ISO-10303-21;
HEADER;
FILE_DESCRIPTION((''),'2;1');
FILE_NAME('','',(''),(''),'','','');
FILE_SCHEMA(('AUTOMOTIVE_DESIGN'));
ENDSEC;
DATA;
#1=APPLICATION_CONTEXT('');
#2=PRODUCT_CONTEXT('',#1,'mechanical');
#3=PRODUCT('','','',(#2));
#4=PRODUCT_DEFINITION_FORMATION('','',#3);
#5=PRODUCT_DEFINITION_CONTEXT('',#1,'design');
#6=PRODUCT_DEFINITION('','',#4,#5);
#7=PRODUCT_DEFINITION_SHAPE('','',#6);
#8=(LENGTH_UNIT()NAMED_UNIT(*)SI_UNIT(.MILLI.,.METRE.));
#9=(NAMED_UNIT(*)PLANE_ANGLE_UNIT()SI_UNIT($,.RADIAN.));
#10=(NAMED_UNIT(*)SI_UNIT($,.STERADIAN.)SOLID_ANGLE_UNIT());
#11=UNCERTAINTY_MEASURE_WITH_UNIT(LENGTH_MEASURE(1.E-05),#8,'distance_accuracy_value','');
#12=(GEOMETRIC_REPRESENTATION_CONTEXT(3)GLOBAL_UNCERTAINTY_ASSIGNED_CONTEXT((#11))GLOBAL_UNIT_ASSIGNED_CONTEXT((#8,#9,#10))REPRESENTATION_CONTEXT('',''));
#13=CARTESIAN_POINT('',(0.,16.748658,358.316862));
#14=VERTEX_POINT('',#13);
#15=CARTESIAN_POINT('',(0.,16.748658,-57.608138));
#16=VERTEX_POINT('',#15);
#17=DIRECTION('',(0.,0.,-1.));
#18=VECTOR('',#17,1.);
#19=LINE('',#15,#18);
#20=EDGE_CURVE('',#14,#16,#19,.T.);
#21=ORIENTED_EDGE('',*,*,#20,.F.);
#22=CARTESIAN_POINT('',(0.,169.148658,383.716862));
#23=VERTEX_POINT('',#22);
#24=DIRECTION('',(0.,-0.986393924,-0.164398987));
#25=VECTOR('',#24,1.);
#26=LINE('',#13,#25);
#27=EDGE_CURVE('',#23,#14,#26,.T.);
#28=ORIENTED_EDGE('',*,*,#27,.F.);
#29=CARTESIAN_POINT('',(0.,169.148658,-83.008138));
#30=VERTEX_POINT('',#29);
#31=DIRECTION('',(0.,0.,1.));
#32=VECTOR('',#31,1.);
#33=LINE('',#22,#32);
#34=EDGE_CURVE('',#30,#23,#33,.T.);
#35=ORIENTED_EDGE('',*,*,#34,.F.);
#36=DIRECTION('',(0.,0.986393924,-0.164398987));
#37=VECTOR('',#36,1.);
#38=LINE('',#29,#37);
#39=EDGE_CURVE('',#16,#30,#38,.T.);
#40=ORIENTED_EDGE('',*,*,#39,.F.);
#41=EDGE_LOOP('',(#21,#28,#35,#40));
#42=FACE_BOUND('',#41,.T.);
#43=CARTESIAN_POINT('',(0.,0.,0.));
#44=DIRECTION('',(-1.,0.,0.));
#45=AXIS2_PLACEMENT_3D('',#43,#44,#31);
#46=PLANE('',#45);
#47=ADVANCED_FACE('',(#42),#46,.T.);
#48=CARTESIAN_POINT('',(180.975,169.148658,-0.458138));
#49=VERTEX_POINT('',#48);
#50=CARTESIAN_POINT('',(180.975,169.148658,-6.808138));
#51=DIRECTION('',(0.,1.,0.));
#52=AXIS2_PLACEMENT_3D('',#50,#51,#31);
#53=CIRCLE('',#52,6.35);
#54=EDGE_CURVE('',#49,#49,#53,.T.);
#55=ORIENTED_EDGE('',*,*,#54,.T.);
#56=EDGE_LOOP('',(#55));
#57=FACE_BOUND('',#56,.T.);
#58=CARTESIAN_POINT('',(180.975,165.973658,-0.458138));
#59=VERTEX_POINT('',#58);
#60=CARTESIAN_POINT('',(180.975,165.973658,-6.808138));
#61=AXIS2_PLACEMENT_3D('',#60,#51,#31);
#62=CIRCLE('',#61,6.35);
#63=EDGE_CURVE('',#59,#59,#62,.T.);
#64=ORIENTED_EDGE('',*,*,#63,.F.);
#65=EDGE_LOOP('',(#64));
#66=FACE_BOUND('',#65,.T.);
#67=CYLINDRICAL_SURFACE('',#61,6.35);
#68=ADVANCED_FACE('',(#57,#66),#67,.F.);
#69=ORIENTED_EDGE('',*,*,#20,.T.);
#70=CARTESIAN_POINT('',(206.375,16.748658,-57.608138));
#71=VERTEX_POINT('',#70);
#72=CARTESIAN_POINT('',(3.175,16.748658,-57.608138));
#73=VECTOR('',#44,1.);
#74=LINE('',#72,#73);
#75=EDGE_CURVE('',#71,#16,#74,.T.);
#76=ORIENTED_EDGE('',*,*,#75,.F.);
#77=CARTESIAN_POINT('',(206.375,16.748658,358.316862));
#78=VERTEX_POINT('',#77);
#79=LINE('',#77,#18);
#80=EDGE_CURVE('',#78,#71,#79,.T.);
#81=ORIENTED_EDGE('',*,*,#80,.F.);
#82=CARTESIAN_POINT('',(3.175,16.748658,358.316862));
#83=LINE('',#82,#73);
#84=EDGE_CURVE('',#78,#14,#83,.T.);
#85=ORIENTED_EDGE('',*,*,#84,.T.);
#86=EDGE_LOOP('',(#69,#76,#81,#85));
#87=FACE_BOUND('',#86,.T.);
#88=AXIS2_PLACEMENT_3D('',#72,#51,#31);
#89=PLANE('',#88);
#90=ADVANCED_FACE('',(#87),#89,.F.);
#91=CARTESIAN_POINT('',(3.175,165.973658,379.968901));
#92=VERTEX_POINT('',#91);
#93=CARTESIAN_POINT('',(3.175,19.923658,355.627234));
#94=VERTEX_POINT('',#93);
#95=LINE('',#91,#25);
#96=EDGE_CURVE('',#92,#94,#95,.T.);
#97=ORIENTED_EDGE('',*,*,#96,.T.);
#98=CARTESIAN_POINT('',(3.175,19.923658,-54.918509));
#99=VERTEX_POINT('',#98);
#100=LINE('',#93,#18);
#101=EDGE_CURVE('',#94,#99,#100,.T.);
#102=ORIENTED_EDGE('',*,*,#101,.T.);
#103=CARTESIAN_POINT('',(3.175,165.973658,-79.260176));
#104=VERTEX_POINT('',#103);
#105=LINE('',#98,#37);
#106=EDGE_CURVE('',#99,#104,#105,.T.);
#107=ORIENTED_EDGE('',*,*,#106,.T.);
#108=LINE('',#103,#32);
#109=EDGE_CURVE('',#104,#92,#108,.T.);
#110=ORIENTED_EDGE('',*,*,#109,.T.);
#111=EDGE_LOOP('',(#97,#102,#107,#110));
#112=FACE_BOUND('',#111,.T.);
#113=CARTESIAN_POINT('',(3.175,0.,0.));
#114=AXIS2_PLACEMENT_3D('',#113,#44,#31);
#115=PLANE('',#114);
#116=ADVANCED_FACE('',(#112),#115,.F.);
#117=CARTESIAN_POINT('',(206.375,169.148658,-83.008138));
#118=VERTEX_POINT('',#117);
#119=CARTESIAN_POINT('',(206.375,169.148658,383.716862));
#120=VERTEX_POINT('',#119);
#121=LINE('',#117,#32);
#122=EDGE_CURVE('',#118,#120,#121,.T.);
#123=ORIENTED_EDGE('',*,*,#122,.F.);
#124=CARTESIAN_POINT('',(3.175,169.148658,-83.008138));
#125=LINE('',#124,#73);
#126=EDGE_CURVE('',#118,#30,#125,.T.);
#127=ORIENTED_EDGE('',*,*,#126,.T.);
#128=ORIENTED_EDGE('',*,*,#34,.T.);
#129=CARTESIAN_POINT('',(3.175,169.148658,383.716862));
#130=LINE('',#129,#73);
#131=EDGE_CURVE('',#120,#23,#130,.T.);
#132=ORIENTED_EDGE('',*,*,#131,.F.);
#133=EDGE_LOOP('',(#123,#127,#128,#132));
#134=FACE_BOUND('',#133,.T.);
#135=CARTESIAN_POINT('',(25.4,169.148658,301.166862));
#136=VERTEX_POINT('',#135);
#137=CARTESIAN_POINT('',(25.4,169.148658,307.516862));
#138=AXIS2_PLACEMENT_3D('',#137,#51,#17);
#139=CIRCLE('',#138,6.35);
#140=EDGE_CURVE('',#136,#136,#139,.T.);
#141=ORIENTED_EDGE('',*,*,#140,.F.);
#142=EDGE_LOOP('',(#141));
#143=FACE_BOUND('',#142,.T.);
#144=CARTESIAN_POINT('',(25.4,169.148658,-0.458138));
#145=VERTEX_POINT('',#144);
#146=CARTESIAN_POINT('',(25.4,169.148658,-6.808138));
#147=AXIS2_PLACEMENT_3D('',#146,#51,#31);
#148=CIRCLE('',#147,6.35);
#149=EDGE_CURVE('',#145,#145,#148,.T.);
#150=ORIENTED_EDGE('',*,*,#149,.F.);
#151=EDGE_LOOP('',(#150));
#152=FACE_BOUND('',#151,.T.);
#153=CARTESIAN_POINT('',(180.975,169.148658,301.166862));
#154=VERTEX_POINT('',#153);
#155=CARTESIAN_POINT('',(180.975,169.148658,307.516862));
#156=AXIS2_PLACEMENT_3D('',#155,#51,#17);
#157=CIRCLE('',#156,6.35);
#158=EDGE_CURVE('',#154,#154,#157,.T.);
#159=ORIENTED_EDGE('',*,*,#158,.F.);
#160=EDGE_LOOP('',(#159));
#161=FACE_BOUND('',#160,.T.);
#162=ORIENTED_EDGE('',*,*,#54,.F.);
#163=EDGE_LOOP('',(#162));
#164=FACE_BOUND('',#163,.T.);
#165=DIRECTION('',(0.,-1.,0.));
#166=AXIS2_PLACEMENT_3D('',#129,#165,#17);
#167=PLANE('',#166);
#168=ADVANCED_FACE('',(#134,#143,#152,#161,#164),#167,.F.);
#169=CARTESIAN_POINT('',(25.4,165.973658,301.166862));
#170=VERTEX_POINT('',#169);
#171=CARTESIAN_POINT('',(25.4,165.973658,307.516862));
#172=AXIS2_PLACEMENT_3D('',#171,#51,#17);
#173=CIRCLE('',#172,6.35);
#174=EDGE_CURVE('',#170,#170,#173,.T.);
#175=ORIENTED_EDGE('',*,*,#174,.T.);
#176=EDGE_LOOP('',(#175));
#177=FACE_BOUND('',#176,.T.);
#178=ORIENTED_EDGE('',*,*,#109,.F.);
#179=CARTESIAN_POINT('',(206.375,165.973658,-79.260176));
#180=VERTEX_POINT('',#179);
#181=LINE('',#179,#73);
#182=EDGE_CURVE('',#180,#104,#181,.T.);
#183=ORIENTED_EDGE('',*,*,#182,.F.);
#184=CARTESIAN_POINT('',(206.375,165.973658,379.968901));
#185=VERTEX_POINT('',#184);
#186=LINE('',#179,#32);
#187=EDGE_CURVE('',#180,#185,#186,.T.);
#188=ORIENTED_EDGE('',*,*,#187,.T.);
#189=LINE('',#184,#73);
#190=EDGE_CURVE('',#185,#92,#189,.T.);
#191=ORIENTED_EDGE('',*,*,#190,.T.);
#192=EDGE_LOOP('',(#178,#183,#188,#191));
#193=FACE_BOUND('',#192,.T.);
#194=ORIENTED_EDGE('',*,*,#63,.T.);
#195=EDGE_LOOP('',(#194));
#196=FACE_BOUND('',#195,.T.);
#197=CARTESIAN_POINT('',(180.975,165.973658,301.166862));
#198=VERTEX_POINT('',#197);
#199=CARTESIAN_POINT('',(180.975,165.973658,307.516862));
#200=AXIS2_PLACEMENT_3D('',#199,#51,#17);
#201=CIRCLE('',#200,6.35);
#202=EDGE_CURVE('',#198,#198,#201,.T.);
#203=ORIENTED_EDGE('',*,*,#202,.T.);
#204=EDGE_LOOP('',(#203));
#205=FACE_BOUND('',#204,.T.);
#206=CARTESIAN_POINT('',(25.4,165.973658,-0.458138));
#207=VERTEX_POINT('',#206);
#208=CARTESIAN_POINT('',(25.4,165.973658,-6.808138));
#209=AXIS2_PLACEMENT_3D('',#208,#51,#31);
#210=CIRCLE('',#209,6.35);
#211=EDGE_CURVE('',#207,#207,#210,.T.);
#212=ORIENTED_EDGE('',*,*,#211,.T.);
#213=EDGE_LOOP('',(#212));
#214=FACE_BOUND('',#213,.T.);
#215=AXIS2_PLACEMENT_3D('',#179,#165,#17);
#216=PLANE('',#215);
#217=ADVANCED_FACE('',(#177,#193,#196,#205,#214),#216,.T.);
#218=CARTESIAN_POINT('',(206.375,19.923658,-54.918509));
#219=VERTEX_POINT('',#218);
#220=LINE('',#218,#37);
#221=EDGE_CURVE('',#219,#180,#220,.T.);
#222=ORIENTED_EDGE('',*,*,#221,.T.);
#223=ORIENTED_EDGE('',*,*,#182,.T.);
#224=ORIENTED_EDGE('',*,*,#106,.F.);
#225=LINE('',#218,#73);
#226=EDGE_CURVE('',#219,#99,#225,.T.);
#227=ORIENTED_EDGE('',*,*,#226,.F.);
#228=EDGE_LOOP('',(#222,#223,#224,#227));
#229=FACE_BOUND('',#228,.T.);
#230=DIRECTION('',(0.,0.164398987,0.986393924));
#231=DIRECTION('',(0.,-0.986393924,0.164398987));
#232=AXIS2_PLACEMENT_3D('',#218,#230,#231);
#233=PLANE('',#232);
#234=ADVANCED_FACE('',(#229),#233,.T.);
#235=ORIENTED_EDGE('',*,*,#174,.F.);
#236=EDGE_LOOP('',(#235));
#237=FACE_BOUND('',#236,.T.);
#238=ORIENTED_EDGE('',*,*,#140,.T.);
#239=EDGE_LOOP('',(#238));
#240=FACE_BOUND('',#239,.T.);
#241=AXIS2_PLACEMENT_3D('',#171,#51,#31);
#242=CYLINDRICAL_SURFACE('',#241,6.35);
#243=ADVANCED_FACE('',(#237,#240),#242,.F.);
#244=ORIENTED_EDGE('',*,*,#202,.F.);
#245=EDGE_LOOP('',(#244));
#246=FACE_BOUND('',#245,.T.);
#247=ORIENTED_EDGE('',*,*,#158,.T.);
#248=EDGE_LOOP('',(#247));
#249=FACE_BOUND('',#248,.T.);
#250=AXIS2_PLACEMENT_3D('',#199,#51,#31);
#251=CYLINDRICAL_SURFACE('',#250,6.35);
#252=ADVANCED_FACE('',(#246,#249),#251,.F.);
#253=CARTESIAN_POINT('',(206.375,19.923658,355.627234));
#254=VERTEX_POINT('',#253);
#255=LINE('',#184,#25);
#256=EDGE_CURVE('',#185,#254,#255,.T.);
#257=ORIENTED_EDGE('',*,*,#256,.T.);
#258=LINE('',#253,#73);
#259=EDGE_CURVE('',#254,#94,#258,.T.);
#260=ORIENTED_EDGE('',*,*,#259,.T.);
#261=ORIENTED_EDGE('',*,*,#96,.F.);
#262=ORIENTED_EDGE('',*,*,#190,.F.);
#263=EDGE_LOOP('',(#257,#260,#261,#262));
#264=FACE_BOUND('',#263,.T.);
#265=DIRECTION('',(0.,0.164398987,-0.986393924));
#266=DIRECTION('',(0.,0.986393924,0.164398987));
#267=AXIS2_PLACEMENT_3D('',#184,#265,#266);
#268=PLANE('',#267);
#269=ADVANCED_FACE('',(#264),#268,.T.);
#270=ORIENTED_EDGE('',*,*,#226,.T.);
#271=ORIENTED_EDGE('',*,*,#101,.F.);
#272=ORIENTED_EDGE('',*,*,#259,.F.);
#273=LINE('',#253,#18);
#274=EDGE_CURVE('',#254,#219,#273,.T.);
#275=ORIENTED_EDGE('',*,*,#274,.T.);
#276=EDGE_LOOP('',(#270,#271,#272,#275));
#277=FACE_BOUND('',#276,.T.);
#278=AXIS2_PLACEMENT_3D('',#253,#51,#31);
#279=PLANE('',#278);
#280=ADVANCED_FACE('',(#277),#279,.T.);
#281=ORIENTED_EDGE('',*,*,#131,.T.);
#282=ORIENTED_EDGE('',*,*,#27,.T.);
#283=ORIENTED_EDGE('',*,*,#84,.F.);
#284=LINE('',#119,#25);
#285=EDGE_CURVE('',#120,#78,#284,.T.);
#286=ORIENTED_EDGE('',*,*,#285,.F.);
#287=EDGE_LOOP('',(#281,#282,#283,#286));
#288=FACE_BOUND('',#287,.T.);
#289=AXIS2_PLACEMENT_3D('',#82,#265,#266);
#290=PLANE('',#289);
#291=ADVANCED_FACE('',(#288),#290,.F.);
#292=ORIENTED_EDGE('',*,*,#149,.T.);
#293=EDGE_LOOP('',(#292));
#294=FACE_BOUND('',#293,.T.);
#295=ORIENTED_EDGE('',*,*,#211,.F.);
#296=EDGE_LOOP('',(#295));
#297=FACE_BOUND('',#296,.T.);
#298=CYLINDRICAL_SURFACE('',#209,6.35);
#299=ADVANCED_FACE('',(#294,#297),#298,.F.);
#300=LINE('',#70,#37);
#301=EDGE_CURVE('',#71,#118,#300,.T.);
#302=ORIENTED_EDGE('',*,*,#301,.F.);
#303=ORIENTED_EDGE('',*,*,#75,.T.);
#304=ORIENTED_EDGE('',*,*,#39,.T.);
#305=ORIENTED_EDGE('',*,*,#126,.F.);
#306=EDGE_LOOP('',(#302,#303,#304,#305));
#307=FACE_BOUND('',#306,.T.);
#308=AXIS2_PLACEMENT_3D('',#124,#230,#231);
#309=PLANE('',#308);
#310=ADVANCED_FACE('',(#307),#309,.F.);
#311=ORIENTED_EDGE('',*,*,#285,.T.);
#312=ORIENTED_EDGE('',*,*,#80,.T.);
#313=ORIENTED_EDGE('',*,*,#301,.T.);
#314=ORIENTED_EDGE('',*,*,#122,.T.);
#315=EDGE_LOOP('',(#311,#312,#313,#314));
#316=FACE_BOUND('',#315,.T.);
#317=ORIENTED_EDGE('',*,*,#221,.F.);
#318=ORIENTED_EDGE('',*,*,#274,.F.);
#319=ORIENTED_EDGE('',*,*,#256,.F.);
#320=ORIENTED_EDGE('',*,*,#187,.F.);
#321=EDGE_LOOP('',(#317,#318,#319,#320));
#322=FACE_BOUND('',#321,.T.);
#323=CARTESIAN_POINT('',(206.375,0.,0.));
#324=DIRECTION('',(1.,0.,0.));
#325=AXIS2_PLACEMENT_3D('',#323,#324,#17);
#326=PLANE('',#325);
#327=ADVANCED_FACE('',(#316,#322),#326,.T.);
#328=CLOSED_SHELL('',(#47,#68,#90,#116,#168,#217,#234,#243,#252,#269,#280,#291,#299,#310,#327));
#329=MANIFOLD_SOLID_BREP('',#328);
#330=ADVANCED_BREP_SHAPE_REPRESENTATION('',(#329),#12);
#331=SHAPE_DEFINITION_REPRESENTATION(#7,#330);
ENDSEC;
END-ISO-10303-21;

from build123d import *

# Parameters (mm, degrees)
BOSS_EXTRUDE1_DEPTH = 3.175
BOSS_EXTRUDE2_DEPTH = 203.2
SKETCH3_R           = 6.35
CUT_EXTRUDE1_DEPTH  = 3.175


with BuildPart() as part:
    # Sketch1 → Boss-Extrude1 (new body)
    with BuildSketch(Plane(origin=(0, 0, 0), x_dir=(0, 0, -1), z_dir=(1, 0, 0))):
        Polygon((-358.316862416, 16.748657718), (-383.716862416, 169.148657718), (83.008137584, 169.148657718), (57.608137584, 16.748657718), align=None)
    extrude(amount=BOSS_EXTRUDE1_DEPTH)

    # Sketch2 → Boss-Extrude2 (add)
    with BuildSketch(Plane(origin=(3.175, 0, 0), x_dir=(0, 0, -1), z_dir=(1, 0, 0))):
        Polygon((-383.716862416, 169.148657718), (-358.316862416, 16.748657718), (57.608137584, 16.748657718), (83.008137584, 169.148657718), align=None)
        Polygon((54.918509078, 19.923657718), (79.260175745, 165.973657718), (-379.968900577, 165.973657718), (-355.62723391, 19.923657718), align=None, mode=Mode.SUBTRACT)
    extrude(amount=BOSS_EXTRUDE2_DEPTH)

    # Sketch3 → Cut-Extrude1 (cut)
    with BuildSketch(Plane(origin=(0, 169.148657718, 0), x_dir=(1, 0, 0), z_dir=(0, 1, 0))):
        with Locations((180.975, 6.808137584)):
            Circle(SKETCH3_R)
        with Locations((25.4, 6.808137584)):
            Circle(SKETCH3_R)
        with Locations((25.4, -307.516862416)):
            Circle(SKETCH3_R)
        with Locations((180.975, -307.516862416)):
            Circle(SKETCH3_R)
    extrude(amount=-CUT_EXTRUDE1_DEPTH, mode=Mode.SUBTRACT)


solid = part.part
